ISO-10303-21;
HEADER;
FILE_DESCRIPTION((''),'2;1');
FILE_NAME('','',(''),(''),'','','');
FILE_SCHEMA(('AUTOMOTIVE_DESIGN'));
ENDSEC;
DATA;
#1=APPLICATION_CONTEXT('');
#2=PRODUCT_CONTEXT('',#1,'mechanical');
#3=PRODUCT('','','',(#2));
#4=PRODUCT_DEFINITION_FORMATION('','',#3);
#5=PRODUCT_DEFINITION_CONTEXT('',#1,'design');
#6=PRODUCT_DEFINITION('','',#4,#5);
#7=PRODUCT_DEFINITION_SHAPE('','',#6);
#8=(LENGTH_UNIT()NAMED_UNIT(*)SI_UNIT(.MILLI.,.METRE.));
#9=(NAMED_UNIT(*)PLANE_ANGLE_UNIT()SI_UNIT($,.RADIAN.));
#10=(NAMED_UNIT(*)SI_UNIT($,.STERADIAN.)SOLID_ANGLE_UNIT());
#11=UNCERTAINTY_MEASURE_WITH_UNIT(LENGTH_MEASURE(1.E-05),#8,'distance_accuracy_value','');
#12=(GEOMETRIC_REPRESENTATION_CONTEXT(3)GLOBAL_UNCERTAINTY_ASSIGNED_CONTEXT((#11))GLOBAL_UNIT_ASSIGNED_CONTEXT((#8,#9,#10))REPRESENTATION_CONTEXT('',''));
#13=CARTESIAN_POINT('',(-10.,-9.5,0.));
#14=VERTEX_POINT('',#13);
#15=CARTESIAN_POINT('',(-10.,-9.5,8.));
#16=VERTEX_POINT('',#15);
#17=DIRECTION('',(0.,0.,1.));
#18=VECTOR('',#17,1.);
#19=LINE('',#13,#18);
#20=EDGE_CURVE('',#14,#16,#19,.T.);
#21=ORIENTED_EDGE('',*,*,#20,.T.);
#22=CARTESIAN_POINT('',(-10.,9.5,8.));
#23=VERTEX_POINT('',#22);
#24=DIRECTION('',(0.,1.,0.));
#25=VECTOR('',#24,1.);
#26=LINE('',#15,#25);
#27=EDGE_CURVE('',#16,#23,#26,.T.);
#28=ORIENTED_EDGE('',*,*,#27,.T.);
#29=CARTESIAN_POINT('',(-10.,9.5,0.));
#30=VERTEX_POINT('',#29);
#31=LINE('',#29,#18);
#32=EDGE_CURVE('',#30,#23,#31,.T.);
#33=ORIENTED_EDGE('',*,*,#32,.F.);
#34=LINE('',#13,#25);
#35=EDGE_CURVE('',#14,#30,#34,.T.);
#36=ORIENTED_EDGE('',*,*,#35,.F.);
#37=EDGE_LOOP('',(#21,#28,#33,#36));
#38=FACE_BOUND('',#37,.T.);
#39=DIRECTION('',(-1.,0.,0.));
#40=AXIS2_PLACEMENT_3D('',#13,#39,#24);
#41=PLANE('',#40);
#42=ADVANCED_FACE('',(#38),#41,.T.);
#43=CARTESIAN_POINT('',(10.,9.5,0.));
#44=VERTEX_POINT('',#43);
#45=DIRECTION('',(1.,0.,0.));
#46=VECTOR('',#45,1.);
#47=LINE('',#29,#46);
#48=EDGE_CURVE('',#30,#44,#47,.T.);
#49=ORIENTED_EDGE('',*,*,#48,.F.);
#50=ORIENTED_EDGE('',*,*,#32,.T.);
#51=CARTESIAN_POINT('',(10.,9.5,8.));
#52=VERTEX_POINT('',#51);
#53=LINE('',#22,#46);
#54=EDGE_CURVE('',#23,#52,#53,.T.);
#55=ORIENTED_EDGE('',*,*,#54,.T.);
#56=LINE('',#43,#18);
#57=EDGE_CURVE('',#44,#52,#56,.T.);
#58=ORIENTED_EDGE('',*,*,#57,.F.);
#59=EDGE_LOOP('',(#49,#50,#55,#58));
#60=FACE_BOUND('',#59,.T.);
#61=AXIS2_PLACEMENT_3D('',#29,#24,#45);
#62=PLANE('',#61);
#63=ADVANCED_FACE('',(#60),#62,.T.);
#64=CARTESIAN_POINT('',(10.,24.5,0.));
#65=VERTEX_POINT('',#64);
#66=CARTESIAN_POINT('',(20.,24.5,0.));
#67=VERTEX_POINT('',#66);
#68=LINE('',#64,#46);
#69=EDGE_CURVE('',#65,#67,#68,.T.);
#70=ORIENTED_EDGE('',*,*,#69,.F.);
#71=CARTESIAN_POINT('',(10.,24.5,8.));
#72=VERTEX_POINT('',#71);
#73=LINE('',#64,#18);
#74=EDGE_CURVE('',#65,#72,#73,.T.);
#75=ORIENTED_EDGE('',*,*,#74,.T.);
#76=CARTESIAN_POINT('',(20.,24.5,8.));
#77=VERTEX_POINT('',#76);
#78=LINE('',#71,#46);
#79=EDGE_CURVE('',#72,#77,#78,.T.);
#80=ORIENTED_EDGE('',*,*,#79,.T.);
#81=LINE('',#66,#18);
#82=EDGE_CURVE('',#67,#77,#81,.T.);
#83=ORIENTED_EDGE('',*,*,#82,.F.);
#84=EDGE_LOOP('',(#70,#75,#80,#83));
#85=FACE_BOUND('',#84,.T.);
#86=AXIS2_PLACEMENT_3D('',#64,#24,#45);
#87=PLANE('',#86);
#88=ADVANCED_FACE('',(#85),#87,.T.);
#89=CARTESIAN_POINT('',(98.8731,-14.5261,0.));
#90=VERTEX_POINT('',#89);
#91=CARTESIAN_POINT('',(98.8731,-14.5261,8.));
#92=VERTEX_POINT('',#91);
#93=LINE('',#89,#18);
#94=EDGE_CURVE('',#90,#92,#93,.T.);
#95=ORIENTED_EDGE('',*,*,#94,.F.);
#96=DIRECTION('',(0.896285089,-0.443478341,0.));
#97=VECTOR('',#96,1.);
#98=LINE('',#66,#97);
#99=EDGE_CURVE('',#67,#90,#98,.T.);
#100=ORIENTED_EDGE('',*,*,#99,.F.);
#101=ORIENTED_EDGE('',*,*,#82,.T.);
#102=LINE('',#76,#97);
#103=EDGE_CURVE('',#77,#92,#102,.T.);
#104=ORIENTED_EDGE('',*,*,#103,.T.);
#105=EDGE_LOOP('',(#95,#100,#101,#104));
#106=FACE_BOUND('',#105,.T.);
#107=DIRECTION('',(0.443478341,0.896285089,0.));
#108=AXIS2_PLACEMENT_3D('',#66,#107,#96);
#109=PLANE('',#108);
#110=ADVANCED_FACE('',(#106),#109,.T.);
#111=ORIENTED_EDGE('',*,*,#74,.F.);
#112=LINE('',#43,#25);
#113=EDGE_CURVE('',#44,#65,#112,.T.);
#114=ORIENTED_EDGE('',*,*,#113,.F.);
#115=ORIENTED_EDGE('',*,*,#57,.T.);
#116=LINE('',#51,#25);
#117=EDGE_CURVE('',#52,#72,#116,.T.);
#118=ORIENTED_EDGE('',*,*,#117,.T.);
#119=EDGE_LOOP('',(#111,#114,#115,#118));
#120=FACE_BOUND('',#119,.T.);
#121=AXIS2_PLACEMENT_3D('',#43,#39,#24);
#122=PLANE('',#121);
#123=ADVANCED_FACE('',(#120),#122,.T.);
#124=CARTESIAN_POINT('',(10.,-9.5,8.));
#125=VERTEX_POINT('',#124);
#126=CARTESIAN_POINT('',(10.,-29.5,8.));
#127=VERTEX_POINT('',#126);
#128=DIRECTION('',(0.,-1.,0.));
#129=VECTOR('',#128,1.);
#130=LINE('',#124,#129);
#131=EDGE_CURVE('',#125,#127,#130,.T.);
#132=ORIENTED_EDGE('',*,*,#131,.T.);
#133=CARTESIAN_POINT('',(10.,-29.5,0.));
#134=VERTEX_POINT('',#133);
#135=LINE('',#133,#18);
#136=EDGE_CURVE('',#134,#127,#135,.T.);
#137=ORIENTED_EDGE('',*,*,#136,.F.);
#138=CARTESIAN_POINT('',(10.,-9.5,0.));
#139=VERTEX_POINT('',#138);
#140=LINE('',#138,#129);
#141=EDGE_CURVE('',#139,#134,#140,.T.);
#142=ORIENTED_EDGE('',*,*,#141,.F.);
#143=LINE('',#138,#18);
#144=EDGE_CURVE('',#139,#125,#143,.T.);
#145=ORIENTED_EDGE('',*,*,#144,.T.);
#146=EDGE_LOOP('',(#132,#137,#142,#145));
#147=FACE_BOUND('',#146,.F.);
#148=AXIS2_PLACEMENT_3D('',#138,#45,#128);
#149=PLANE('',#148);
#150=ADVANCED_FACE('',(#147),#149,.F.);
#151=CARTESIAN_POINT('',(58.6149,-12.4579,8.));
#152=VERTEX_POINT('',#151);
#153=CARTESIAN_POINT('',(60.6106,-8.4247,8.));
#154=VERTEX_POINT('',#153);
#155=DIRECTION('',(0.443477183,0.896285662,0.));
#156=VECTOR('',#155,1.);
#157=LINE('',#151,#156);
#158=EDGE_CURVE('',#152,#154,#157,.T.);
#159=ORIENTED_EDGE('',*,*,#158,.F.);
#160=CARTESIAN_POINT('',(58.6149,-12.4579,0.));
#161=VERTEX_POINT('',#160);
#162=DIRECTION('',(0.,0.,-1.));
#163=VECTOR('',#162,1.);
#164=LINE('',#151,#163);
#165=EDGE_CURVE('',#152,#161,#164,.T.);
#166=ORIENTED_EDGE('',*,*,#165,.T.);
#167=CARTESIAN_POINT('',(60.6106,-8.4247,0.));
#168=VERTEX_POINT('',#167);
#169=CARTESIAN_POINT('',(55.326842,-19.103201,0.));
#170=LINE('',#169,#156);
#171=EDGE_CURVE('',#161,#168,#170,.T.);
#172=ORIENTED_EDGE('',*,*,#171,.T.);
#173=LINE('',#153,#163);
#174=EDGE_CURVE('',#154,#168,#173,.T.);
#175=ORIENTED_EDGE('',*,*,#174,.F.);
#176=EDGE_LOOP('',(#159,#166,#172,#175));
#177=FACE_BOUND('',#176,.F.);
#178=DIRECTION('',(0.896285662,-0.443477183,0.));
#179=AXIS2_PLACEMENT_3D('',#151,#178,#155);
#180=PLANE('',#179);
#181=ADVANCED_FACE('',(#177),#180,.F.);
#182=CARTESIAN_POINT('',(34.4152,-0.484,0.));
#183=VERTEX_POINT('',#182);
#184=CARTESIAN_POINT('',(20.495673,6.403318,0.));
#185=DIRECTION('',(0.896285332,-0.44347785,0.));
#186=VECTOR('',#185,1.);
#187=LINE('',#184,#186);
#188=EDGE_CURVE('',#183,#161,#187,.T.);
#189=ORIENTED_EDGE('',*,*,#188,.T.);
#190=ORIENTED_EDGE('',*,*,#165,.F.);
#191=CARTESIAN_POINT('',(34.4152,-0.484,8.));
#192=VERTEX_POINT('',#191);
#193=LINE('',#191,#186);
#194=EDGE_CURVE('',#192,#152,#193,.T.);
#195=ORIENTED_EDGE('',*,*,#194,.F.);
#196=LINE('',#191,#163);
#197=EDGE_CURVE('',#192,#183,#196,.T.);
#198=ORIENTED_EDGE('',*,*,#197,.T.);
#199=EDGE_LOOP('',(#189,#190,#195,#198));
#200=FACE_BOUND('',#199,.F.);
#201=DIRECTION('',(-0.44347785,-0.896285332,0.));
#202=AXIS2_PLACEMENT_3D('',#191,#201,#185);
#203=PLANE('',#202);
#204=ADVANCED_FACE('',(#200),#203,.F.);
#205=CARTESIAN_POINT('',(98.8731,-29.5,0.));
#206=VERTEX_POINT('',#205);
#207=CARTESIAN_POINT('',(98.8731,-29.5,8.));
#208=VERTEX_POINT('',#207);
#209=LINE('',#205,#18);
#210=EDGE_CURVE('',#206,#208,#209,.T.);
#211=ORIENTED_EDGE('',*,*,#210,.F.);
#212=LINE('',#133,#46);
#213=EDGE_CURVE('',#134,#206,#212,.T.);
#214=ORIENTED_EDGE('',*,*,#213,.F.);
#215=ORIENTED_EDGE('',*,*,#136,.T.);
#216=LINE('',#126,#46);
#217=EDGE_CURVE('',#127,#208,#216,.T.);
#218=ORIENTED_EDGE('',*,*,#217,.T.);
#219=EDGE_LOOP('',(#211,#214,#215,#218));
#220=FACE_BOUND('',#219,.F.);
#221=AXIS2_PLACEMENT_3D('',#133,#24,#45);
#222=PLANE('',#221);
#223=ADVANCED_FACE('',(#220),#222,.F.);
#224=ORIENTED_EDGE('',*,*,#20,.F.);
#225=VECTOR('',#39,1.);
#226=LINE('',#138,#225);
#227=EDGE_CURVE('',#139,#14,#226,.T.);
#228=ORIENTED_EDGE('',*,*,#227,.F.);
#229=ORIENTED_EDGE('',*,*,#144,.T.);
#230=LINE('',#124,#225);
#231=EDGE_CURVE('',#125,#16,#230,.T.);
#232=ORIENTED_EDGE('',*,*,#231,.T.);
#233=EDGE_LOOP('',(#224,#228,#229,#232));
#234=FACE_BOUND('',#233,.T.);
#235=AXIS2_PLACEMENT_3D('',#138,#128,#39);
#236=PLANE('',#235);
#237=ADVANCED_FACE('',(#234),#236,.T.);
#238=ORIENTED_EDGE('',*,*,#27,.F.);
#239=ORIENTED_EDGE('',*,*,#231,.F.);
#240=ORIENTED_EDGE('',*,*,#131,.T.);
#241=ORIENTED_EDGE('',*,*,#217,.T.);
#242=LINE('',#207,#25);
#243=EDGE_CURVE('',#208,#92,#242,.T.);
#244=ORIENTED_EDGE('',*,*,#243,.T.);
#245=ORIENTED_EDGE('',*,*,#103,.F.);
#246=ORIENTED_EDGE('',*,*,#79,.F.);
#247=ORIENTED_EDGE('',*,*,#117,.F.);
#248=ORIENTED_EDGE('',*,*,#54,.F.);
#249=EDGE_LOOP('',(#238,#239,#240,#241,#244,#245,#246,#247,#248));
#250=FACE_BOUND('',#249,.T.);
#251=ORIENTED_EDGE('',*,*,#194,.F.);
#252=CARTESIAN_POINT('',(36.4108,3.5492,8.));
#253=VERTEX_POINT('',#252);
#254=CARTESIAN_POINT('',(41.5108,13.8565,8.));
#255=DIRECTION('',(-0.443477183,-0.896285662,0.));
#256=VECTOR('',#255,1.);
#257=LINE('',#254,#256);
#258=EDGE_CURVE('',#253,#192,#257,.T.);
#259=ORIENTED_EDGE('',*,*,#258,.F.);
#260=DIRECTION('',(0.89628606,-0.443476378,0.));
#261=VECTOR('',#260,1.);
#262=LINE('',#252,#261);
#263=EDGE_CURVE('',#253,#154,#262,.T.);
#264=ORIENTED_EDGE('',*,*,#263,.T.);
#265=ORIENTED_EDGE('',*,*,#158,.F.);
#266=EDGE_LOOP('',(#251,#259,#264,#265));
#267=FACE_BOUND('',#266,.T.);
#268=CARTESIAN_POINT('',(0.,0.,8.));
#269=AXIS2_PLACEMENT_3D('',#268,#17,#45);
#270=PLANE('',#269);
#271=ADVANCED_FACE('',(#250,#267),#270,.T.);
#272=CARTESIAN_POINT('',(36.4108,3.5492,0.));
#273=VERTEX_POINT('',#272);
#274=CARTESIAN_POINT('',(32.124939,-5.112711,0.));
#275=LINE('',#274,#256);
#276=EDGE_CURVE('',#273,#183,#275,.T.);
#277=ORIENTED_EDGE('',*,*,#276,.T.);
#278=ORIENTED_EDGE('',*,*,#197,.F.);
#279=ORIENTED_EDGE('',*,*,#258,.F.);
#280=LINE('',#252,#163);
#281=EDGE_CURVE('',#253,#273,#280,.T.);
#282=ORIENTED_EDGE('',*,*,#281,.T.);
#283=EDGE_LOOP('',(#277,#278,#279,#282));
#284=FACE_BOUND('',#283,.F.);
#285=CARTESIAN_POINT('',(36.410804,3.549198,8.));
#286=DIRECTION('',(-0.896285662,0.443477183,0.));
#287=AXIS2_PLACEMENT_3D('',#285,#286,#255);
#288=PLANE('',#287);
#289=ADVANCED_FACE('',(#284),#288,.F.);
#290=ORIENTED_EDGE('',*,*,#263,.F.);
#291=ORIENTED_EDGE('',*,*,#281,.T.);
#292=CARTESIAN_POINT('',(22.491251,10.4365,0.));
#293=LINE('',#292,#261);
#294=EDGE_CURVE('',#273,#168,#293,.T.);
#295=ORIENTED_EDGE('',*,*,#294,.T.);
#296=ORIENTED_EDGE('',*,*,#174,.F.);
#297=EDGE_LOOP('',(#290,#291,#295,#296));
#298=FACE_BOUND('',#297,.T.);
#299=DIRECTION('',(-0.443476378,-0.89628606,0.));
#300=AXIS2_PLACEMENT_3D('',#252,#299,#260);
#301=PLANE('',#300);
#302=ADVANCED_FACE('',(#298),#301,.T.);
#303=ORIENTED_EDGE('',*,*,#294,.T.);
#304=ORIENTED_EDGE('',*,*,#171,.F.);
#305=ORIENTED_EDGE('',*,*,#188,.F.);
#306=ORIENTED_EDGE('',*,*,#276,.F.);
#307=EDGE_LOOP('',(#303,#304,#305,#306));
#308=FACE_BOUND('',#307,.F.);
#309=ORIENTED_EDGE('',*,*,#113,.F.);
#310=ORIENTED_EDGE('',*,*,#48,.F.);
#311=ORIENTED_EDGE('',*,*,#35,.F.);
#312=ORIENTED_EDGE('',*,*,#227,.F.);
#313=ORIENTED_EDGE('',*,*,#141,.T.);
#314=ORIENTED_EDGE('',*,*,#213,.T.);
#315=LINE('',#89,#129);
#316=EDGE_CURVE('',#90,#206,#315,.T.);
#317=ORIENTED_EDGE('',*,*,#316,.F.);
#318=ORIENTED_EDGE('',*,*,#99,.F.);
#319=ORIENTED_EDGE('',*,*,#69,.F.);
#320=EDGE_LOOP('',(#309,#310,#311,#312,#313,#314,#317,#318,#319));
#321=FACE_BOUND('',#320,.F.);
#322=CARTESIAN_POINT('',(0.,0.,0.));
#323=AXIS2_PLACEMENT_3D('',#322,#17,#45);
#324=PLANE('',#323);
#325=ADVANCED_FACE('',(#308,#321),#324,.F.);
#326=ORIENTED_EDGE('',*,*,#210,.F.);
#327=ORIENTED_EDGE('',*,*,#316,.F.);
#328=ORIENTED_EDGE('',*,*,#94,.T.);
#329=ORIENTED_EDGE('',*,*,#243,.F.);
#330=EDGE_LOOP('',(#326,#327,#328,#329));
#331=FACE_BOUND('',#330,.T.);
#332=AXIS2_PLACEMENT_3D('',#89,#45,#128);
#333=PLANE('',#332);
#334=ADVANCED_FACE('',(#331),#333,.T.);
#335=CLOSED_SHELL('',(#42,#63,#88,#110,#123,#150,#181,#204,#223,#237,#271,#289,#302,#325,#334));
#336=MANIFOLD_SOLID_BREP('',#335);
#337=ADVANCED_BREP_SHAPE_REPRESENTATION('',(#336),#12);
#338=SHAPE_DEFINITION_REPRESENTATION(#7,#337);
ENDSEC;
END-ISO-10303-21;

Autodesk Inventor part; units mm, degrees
ref_plane "YZ Plane" through (0, 0, 0) normal (1, 0, 0) x (0, 1, 0)
ref_plane "XZ Plane" through (0, 0, 0) normal (0, 1, 0) x (-1, 0, 0)
ref_plane "XY Plane" through (0, 0, 0) normal (0, 0, 1) x (1, 0, 0)
sketch "Sketch1" plane through (0, 0, 0) normal (0, 0, 1) x (1, 0, 0)
  line L0 (-10, 9.5) -> (10, 9.5)
  line L1 (10, 9.5) -> (10, -9.5)
  line L2 (10, -9.5) -> (-10, -9.5)
  line L3 (-10, -9.5) -> (-10, 9.5)
  line L4 (10, 9.5) -> (10, 24.5)
  line L5 (10, 24.5) -> (20, 24.5)
  line L6 (20, 24.5) -> (98.8731, -14.5261)
  line L7 (98.8731, -14.5261) -> (98.8731, -24.5261)
  line L8 (10, -9.5) -> (10, -29.5)
  line L9 (10, -29.5) -> (98.8731, -29.5)
  line L10 (98.8731, -29.5) -> (98.8731, -24.5261)
  point P0 (0, 0)
  dimension "d0" = 20
  dimension "d1" = 19
  dimension "d2" = 9.5
  dimension "d3" = 10
  dimension "d4" = 15
  dimension "d5" = 10
  dimension "d6" = 10
  dimension "d7" = 88
  dimension "d8" = 20
extrude "Extrusion1" add sketch "Sketch1" along normal blind 8
sketch "Sketch2" plane through (0, 0, 8) normal (0, 0, 1) x (1, 0, 0)
  line L0 (98.8731, -14.5261) -> (20, 24.5) projected
  line L1 (41.5108, 13.8565) -> (34.4152, -0.484)
  line L2 (34.4152, -0.484) -> (58.6149, -12.4579)
  line L3 (58.6149, -12.4579) -> (65.7105, 1.8826)
  line L4 (36.4108, 3.5492) -> (60.6106, -8.4247)
  point P0 (0, 0)
  dimension "d12" = 24
  dimension "d13" = 27
  dimension "d17" = 16
  dimension "d18" = 4.5
extrude "Extrusion3" cut sketch "Sketch2" against normal through all contours L3 L2 L1 L4
equation "\"d2\" = 0.5 * d1"
equation "\"d3\" = 0.5 * d0"
properties part number "display support"
